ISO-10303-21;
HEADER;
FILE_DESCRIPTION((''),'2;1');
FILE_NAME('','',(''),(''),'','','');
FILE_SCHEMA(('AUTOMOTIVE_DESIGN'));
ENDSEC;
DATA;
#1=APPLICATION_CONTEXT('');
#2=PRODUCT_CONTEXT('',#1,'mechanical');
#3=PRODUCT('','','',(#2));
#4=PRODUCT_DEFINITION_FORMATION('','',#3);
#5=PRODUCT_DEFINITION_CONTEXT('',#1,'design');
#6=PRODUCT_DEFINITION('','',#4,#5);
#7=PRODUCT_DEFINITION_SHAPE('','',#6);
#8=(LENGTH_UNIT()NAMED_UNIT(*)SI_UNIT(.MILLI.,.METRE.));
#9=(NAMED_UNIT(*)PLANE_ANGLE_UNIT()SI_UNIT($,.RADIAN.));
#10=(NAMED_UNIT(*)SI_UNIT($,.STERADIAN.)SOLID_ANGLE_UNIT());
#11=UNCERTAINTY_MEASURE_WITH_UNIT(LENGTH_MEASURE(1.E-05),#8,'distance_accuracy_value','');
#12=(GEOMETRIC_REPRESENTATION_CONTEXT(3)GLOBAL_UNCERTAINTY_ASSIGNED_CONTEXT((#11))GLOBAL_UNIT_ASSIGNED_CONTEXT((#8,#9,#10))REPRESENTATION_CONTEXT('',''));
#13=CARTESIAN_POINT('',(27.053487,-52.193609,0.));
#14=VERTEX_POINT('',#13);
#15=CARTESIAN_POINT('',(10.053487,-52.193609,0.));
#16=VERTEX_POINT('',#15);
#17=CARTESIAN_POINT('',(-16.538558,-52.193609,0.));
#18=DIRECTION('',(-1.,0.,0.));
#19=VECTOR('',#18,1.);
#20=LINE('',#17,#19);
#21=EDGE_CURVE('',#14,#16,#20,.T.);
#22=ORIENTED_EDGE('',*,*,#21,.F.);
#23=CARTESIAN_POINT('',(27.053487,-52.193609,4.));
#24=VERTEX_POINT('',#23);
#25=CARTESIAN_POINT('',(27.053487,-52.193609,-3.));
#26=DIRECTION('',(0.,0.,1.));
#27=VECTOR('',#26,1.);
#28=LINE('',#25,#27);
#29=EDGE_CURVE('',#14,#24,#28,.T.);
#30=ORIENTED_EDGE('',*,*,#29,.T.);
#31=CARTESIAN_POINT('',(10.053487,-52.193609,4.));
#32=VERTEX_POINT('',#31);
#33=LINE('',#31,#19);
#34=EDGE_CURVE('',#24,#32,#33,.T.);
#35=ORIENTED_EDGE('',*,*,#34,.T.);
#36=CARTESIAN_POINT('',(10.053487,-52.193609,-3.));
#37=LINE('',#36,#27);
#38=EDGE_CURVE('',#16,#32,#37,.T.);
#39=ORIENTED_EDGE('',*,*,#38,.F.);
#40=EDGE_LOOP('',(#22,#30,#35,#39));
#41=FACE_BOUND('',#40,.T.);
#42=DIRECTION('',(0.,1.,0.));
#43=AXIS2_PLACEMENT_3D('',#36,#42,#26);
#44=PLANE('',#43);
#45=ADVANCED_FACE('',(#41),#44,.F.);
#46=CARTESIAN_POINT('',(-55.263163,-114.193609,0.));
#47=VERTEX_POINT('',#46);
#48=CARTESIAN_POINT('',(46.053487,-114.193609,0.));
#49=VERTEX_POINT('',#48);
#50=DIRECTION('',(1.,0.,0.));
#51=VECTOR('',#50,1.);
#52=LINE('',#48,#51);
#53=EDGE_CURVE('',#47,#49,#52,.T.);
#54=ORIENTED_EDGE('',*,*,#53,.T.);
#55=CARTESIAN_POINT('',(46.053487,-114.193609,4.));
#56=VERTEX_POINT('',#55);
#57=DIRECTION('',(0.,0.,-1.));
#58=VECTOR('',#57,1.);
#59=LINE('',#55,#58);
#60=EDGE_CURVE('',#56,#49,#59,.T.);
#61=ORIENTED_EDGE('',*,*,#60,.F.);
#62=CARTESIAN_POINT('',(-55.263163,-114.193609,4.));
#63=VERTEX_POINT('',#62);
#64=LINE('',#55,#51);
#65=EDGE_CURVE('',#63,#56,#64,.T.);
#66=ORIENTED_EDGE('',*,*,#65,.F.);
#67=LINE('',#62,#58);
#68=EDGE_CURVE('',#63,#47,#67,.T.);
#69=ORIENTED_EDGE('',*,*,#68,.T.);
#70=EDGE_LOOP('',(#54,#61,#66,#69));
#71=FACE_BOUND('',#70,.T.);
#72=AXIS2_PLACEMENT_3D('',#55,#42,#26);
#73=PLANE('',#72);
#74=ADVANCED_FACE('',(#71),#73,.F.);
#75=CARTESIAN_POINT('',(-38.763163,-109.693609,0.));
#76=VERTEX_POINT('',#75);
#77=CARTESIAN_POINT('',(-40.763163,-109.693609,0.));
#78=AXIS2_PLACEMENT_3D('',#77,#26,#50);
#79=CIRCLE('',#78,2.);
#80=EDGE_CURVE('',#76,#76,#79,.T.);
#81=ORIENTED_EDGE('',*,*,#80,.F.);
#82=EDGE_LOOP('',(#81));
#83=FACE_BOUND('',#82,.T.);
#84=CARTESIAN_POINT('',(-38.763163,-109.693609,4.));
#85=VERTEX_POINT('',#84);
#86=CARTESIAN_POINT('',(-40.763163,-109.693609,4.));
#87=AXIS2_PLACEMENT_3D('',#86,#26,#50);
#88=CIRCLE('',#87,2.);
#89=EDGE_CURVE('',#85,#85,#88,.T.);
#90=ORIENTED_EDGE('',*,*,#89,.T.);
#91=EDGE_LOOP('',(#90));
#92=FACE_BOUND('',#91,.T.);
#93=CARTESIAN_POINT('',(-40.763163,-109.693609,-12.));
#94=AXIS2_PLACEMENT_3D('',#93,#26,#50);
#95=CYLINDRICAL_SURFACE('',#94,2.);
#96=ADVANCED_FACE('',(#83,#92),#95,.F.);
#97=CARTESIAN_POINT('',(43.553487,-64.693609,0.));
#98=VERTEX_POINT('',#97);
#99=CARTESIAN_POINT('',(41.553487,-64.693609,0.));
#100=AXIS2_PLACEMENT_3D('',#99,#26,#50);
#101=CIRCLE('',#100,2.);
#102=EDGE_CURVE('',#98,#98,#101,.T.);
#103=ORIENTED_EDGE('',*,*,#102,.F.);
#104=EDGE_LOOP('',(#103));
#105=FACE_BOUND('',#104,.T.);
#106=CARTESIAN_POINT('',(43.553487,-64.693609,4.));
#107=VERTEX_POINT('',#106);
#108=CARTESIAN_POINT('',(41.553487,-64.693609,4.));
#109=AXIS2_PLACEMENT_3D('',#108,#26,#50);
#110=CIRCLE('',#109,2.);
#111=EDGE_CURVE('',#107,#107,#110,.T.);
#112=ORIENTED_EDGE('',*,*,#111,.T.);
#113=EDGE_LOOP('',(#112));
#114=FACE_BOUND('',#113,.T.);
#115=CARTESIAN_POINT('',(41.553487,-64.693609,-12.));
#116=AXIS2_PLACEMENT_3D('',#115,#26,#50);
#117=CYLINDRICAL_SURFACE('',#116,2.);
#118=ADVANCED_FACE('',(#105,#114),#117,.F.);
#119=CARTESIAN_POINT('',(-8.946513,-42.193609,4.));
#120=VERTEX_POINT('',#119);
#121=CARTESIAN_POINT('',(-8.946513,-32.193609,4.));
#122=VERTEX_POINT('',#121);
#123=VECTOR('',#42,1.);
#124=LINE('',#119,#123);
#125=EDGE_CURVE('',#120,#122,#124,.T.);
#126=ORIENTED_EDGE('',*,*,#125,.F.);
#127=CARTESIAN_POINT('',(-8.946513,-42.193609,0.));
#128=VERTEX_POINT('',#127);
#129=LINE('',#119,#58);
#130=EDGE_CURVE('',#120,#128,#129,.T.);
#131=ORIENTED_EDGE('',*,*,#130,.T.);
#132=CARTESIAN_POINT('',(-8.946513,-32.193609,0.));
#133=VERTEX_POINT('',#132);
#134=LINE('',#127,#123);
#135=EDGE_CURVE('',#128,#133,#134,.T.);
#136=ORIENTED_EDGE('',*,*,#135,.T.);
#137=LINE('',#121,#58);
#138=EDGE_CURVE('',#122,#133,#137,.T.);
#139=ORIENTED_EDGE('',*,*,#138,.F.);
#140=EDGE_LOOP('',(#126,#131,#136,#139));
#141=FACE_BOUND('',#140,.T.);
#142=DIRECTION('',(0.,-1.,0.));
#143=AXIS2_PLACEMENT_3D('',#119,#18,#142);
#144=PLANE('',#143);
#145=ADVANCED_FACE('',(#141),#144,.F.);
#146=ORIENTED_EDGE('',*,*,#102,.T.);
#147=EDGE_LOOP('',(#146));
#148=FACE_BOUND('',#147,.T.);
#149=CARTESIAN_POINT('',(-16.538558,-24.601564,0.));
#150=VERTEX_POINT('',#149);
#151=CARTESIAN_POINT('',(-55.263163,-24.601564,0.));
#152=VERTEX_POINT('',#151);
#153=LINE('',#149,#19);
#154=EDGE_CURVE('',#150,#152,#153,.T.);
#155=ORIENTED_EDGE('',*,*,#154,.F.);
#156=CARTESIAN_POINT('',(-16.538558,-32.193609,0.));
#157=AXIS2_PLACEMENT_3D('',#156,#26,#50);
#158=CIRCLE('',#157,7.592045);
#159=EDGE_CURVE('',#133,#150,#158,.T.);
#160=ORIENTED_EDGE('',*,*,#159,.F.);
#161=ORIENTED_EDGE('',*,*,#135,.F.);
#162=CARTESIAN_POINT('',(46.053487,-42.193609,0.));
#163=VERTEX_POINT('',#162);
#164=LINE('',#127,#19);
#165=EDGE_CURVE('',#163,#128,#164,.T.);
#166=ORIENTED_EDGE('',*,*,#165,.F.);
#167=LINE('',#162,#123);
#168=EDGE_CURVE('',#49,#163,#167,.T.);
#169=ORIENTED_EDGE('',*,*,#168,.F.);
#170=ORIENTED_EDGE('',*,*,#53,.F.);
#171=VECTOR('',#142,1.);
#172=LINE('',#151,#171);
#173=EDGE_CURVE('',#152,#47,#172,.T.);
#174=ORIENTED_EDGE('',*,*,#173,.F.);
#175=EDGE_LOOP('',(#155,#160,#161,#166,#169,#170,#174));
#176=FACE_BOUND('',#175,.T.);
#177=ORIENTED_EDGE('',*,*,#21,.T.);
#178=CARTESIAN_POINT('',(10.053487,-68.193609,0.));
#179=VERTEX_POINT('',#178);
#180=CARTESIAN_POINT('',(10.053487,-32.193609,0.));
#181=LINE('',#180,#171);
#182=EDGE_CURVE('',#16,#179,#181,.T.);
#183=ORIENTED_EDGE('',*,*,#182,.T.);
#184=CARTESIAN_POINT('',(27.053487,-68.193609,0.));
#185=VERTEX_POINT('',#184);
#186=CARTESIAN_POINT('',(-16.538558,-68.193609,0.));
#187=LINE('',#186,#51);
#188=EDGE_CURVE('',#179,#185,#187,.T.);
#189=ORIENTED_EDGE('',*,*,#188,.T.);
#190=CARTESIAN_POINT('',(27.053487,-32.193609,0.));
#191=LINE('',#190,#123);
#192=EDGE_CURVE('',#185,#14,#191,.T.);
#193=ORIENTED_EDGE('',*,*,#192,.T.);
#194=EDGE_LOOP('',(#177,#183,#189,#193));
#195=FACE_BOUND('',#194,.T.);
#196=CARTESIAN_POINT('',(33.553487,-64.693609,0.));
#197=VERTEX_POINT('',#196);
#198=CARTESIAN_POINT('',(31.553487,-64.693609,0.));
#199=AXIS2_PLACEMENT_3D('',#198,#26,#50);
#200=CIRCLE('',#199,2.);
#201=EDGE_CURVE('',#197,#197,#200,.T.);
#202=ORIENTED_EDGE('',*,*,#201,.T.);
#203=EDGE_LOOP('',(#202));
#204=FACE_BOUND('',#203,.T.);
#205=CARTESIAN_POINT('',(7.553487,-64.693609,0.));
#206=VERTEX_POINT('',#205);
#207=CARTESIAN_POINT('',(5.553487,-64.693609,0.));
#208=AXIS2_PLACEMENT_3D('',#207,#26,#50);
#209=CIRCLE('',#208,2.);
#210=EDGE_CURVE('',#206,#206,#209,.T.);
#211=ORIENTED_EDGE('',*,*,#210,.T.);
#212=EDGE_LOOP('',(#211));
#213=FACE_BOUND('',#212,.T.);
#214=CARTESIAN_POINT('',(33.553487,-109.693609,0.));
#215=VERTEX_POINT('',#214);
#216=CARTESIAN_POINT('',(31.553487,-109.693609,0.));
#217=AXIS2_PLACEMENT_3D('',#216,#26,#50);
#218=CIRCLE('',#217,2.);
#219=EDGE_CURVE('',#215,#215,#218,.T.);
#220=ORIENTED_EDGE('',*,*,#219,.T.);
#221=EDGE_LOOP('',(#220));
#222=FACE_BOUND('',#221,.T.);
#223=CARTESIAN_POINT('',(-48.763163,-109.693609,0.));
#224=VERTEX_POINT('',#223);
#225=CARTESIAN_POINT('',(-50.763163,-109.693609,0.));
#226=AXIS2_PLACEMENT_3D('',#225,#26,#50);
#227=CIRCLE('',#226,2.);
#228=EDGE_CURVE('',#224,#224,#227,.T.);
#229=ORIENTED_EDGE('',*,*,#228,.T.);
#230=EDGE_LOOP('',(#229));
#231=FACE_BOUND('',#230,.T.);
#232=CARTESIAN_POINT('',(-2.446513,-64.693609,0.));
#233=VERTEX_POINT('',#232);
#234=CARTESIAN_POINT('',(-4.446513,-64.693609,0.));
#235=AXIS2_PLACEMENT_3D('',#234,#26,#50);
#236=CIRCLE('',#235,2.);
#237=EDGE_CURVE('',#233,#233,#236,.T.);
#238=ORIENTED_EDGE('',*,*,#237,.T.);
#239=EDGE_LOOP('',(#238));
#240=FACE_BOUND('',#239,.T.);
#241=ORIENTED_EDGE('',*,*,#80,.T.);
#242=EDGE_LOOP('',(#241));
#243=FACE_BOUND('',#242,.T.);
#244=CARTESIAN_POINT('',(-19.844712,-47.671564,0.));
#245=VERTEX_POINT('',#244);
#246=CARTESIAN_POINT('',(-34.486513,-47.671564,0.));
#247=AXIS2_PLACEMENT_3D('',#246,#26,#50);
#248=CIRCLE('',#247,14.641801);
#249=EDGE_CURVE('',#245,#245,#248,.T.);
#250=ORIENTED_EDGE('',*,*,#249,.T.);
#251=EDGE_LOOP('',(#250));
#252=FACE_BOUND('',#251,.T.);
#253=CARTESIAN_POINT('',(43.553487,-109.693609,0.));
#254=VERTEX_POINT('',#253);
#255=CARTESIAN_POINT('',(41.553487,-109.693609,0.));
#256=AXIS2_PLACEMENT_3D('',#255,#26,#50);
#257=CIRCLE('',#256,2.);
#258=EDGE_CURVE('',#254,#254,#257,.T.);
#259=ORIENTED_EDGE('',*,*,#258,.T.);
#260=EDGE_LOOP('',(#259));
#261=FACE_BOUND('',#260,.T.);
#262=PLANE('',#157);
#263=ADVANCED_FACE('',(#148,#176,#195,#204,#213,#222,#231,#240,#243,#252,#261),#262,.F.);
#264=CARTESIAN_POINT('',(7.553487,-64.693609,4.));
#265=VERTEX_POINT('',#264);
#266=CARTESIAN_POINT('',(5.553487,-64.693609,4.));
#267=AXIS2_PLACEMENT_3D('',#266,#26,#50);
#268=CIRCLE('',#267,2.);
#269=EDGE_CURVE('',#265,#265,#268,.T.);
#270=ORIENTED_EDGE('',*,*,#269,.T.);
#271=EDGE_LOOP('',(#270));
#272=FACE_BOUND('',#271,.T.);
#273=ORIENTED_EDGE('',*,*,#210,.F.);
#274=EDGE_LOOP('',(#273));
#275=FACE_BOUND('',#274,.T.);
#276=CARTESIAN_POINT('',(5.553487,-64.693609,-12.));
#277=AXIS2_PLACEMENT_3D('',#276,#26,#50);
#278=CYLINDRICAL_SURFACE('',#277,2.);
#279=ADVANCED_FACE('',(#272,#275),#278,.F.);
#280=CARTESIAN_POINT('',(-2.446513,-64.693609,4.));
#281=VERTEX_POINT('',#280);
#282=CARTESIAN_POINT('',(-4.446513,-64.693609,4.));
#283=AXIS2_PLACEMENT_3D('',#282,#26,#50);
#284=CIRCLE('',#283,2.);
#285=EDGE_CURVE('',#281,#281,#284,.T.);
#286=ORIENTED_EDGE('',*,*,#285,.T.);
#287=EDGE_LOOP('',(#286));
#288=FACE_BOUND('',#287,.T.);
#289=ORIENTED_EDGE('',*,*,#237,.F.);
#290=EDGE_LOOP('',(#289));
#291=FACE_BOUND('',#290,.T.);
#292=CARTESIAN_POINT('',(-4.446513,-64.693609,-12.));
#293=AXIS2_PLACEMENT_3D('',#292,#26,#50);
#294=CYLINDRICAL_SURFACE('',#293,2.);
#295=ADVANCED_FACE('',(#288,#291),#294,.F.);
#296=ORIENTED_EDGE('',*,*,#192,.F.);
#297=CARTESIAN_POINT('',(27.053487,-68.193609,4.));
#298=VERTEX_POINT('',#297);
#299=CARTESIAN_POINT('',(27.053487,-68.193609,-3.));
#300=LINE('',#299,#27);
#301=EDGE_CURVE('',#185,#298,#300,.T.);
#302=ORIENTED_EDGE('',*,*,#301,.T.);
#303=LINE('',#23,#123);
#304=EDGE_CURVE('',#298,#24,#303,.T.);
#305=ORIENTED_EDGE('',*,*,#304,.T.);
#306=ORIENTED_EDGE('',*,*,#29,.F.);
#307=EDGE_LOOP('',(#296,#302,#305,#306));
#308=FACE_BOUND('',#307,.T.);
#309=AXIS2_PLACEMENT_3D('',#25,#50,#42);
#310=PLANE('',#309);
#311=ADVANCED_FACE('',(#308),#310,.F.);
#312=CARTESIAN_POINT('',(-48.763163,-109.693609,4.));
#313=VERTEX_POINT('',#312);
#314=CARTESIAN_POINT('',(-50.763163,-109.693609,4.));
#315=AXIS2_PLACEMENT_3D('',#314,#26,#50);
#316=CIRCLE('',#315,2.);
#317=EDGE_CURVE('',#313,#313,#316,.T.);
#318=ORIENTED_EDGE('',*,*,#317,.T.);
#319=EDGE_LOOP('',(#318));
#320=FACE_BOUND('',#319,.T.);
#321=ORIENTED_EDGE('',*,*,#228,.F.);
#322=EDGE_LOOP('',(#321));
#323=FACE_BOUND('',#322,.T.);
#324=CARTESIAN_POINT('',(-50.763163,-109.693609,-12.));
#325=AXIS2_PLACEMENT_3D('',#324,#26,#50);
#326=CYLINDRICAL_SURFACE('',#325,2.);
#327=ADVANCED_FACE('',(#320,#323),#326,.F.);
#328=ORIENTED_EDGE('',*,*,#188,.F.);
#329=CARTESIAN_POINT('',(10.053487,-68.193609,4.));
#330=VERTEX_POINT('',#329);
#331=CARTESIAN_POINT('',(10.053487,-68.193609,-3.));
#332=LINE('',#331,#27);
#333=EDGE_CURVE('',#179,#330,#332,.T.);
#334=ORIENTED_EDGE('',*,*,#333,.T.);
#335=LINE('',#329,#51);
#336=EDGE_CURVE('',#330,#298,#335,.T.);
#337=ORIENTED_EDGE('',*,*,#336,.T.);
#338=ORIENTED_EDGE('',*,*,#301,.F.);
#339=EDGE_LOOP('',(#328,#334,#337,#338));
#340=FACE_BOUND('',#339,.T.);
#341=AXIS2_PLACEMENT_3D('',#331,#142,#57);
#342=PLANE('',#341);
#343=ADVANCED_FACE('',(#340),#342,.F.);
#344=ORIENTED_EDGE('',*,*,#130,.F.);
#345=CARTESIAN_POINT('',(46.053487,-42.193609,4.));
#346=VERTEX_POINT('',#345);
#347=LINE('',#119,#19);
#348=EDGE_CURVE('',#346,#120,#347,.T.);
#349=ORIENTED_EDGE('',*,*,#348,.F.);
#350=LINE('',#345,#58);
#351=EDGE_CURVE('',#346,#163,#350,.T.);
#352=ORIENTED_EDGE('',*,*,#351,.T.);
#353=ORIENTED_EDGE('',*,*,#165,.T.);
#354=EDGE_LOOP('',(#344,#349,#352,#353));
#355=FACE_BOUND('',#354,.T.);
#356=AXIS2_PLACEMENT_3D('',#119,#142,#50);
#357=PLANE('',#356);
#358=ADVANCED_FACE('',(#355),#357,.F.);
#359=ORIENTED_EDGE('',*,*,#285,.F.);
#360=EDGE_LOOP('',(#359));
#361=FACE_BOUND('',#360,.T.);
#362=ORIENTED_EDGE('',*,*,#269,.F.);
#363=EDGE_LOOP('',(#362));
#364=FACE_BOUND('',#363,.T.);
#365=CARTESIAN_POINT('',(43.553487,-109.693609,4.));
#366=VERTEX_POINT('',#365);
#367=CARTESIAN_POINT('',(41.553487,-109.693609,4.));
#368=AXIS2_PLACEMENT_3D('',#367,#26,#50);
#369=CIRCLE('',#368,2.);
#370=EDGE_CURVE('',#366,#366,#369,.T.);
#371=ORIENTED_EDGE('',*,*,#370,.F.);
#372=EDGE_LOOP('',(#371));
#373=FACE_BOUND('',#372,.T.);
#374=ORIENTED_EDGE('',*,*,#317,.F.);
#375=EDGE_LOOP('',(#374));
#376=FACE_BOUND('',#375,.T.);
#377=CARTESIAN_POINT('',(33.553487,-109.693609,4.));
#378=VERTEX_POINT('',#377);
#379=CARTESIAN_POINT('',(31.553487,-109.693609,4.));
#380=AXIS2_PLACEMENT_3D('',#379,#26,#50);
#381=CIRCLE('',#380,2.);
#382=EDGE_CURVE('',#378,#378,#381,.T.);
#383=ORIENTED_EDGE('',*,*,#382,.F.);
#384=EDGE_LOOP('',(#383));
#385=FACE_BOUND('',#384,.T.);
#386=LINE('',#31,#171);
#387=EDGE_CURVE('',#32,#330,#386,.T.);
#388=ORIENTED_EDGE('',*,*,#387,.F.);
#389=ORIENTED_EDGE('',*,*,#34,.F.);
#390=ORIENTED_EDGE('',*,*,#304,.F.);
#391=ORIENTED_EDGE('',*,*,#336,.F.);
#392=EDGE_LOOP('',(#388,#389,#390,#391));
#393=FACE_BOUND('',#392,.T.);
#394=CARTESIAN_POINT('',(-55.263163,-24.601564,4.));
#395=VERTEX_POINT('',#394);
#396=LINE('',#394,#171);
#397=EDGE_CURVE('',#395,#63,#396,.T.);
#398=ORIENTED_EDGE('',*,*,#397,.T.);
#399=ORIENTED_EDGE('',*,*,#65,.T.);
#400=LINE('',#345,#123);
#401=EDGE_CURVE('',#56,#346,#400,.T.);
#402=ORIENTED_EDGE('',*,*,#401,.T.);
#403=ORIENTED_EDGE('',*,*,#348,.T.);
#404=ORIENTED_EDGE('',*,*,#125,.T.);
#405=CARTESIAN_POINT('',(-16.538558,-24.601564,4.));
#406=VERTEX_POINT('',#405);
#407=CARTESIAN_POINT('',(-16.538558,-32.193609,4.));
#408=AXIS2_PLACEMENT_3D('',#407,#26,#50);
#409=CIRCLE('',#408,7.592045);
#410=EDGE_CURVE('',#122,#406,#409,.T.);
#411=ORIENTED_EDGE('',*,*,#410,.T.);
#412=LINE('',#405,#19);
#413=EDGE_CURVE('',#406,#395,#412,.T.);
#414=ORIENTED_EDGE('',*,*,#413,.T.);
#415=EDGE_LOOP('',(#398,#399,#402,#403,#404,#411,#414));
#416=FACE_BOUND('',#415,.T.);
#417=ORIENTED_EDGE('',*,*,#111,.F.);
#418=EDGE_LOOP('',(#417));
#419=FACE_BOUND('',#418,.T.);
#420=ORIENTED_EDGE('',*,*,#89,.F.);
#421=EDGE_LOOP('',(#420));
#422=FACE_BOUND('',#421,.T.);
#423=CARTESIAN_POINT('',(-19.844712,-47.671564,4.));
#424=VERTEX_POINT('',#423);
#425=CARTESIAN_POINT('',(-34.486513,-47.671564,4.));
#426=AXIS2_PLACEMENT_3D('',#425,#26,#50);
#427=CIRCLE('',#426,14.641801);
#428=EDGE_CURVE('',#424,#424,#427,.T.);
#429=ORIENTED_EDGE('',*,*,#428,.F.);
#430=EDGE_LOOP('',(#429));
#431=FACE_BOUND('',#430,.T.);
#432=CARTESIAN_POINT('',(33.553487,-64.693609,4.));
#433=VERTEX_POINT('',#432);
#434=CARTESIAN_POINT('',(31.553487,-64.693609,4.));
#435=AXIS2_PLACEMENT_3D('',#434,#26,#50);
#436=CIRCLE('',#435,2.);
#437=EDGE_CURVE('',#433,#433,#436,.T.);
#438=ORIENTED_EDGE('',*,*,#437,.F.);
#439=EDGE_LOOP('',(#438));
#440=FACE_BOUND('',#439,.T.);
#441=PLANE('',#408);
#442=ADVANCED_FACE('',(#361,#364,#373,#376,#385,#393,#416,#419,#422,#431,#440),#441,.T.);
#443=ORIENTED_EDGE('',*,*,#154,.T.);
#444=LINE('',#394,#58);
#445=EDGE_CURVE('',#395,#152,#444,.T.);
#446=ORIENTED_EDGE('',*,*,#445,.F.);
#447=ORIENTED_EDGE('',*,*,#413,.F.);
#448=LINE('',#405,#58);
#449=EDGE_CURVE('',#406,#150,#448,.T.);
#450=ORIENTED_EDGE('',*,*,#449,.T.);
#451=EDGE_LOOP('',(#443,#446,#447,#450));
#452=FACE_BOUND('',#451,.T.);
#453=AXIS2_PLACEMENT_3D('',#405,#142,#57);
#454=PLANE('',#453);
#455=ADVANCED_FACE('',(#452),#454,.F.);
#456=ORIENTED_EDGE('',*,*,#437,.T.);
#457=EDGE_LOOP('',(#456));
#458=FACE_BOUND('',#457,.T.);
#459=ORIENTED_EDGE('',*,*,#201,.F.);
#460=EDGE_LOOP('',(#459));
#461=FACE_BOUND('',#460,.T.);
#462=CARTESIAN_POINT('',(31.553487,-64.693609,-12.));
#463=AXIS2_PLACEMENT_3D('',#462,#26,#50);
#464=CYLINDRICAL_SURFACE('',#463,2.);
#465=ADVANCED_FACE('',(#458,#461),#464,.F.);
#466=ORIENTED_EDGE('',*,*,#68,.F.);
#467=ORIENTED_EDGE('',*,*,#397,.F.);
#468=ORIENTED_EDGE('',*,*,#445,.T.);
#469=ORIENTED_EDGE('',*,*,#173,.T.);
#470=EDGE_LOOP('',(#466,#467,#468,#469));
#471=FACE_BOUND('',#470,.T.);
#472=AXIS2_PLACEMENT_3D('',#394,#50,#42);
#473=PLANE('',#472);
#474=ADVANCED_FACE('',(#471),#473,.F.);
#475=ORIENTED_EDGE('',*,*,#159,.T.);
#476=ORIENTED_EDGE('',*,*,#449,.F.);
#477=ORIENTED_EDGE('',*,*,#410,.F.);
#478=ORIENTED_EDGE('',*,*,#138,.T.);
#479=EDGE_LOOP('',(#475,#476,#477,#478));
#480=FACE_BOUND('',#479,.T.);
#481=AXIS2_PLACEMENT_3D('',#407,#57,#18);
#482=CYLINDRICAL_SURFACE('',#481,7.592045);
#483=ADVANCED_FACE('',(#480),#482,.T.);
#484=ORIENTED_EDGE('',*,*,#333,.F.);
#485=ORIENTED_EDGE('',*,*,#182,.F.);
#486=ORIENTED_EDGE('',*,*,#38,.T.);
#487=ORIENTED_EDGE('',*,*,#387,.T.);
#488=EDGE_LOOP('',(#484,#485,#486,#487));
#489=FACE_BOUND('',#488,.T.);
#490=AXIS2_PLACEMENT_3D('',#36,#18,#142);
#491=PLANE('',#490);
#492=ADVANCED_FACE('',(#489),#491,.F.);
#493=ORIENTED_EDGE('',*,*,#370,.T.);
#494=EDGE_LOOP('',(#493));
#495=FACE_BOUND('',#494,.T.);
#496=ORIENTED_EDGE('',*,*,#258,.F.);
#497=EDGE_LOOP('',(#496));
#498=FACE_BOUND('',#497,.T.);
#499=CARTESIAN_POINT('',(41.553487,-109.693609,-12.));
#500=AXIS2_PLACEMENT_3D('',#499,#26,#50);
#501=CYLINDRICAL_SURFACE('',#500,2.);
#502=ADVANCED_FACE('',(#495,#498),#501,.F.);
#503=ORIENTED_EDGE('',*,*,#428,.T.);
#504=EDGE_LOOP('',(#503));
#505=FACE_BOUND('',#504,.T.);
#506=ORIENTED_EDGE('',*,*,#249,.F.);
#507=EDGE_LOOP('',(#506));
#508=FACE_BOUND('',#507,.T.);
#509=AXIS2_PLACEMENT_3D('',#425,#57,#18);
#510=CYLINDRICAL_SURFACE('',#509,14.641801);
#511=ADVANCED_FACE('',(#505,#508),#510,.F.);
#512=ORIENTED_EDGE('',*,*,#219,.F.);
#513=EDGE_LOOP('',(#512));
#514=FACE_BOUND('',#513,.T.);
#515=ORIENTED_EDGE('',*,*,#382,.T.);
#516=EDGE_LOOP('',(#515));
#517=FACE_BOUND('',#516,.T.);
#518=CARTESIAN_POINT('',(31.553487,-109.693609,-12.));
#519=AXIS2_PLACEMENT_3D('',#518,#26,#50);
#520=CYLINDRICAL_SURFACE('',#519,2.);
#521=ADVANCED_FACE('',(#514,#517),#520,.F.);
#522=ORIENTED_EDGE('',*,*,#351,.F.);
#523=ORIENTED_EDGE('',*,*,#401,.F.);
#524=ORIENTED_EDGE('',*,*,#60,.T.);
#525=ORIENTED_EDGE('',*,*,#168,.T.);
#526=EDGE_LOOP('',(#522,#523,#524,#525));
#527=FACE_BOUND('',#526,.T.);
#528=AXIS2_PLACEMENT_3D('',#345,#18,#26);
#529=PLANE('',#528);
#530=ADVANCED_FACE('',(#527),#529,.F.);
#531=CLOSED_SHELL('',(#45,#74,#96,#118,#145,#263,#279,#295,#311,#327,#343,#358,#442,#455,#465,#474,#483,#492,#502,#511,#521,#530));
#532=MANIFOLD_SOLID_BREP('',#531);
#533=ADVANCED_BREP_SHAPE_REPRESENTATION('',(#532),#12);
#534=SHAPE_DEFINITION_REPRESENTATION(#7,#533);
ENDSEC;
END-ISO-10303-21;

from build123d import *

# Parameters (mm, degrees)
SKETCH1_R           = 14.641801201
BOSS_EXTRUDE1_DEPTH = 4
SKETCH2_R           = 2
CUT_EXTRUDE1_DEPTH  = 16
SKETCH3_W           = 17
SKETCH3_H           = 16
CUT_EXTRUDE2_DEPTH  = 7


with BuildPart() as part:
    # Sketch1 → Boss-Extrude1 (new body)
    with BuildSketch(Plane(origin=(0, 0, 0), x_dir=(-1, 0, 0), z_dir=(0, 0, 1))):
        with BuildLine():
            Line((8.946512726, 42.193608765), (-46.053487274, 42.193608765))
            Line((-46.053487274, 42.193608765), (-46.053487274, 114.193608765))
            Line((-46.053487274, 114.193608765), (55.263162893, 114.193608765))
            Line((55.263162893, 114.193608765), (55.263162893, 24.601563698))
            Line((55.263162893, 24.601563698), (16.538557793, 24.601563698))
            ThreePointArc((16.538557793, 24.601563698), (11.170171243, 26.825222215), (8.946512726, 32.193608765))
            Line((8.946512726, 32.193608765), (8.946512726, 42.193608765))
        make_face()
        with Locations(Location((34.486512726, 47.671563698, 0), (0, 0, 180))):
            Circle(SKETCH1_R, mode=Mode.SUBTRACT)
    extrude(amount=BOSS_EXTRUDE1_DEPTH)

    # Sketch2 → Cut-Extrude1 (cut)
    with BuildSketch(Plane.XY.offset(4)):
        with Locations((41.553487274, -109.693608765)):
            Circle(SKETCH2_R)
        with Locations((31.553487274, -109.693608765)):
            Circle(SKETCH2_R)
        with Locations((-50.763162893, -109.693608765)):
            Circle(SKETCH2_R)
        with Locations((-40.763162893, -109.693608765)):
            Circle(SKETCH2_R)
        with Locations((41.553487274, -64.693608765)):
            Circle(SKETCH2_R)
        with Locations((31.553487274, -64.693608765)):
            Circle(SKETCH2_R)
        with Locations((-4.446512726, -64.693608765)):
            Circle(SKETCH2_R)
        with Locations((5.553487274, -64.693608765)):
            Circle(SKETCH2_R)
    extrude(amount=-CUT_EXTRUDE1_DEPTH, mode=Mode.SUBTRACT)

    # Sketch3 → Cut-Extrude2 (cut)
    with BuildSketch(Plane.XY.offset(4)):
        with Locations((18.553487274, -60.193608765)):
            Rectangle(SKETCH3_W, SKETCH3_H)
    extrude(amount=-CUT_EXTRUDE2_DEPTH, mode=Mode.SUBTRACT)


solid = part.part
